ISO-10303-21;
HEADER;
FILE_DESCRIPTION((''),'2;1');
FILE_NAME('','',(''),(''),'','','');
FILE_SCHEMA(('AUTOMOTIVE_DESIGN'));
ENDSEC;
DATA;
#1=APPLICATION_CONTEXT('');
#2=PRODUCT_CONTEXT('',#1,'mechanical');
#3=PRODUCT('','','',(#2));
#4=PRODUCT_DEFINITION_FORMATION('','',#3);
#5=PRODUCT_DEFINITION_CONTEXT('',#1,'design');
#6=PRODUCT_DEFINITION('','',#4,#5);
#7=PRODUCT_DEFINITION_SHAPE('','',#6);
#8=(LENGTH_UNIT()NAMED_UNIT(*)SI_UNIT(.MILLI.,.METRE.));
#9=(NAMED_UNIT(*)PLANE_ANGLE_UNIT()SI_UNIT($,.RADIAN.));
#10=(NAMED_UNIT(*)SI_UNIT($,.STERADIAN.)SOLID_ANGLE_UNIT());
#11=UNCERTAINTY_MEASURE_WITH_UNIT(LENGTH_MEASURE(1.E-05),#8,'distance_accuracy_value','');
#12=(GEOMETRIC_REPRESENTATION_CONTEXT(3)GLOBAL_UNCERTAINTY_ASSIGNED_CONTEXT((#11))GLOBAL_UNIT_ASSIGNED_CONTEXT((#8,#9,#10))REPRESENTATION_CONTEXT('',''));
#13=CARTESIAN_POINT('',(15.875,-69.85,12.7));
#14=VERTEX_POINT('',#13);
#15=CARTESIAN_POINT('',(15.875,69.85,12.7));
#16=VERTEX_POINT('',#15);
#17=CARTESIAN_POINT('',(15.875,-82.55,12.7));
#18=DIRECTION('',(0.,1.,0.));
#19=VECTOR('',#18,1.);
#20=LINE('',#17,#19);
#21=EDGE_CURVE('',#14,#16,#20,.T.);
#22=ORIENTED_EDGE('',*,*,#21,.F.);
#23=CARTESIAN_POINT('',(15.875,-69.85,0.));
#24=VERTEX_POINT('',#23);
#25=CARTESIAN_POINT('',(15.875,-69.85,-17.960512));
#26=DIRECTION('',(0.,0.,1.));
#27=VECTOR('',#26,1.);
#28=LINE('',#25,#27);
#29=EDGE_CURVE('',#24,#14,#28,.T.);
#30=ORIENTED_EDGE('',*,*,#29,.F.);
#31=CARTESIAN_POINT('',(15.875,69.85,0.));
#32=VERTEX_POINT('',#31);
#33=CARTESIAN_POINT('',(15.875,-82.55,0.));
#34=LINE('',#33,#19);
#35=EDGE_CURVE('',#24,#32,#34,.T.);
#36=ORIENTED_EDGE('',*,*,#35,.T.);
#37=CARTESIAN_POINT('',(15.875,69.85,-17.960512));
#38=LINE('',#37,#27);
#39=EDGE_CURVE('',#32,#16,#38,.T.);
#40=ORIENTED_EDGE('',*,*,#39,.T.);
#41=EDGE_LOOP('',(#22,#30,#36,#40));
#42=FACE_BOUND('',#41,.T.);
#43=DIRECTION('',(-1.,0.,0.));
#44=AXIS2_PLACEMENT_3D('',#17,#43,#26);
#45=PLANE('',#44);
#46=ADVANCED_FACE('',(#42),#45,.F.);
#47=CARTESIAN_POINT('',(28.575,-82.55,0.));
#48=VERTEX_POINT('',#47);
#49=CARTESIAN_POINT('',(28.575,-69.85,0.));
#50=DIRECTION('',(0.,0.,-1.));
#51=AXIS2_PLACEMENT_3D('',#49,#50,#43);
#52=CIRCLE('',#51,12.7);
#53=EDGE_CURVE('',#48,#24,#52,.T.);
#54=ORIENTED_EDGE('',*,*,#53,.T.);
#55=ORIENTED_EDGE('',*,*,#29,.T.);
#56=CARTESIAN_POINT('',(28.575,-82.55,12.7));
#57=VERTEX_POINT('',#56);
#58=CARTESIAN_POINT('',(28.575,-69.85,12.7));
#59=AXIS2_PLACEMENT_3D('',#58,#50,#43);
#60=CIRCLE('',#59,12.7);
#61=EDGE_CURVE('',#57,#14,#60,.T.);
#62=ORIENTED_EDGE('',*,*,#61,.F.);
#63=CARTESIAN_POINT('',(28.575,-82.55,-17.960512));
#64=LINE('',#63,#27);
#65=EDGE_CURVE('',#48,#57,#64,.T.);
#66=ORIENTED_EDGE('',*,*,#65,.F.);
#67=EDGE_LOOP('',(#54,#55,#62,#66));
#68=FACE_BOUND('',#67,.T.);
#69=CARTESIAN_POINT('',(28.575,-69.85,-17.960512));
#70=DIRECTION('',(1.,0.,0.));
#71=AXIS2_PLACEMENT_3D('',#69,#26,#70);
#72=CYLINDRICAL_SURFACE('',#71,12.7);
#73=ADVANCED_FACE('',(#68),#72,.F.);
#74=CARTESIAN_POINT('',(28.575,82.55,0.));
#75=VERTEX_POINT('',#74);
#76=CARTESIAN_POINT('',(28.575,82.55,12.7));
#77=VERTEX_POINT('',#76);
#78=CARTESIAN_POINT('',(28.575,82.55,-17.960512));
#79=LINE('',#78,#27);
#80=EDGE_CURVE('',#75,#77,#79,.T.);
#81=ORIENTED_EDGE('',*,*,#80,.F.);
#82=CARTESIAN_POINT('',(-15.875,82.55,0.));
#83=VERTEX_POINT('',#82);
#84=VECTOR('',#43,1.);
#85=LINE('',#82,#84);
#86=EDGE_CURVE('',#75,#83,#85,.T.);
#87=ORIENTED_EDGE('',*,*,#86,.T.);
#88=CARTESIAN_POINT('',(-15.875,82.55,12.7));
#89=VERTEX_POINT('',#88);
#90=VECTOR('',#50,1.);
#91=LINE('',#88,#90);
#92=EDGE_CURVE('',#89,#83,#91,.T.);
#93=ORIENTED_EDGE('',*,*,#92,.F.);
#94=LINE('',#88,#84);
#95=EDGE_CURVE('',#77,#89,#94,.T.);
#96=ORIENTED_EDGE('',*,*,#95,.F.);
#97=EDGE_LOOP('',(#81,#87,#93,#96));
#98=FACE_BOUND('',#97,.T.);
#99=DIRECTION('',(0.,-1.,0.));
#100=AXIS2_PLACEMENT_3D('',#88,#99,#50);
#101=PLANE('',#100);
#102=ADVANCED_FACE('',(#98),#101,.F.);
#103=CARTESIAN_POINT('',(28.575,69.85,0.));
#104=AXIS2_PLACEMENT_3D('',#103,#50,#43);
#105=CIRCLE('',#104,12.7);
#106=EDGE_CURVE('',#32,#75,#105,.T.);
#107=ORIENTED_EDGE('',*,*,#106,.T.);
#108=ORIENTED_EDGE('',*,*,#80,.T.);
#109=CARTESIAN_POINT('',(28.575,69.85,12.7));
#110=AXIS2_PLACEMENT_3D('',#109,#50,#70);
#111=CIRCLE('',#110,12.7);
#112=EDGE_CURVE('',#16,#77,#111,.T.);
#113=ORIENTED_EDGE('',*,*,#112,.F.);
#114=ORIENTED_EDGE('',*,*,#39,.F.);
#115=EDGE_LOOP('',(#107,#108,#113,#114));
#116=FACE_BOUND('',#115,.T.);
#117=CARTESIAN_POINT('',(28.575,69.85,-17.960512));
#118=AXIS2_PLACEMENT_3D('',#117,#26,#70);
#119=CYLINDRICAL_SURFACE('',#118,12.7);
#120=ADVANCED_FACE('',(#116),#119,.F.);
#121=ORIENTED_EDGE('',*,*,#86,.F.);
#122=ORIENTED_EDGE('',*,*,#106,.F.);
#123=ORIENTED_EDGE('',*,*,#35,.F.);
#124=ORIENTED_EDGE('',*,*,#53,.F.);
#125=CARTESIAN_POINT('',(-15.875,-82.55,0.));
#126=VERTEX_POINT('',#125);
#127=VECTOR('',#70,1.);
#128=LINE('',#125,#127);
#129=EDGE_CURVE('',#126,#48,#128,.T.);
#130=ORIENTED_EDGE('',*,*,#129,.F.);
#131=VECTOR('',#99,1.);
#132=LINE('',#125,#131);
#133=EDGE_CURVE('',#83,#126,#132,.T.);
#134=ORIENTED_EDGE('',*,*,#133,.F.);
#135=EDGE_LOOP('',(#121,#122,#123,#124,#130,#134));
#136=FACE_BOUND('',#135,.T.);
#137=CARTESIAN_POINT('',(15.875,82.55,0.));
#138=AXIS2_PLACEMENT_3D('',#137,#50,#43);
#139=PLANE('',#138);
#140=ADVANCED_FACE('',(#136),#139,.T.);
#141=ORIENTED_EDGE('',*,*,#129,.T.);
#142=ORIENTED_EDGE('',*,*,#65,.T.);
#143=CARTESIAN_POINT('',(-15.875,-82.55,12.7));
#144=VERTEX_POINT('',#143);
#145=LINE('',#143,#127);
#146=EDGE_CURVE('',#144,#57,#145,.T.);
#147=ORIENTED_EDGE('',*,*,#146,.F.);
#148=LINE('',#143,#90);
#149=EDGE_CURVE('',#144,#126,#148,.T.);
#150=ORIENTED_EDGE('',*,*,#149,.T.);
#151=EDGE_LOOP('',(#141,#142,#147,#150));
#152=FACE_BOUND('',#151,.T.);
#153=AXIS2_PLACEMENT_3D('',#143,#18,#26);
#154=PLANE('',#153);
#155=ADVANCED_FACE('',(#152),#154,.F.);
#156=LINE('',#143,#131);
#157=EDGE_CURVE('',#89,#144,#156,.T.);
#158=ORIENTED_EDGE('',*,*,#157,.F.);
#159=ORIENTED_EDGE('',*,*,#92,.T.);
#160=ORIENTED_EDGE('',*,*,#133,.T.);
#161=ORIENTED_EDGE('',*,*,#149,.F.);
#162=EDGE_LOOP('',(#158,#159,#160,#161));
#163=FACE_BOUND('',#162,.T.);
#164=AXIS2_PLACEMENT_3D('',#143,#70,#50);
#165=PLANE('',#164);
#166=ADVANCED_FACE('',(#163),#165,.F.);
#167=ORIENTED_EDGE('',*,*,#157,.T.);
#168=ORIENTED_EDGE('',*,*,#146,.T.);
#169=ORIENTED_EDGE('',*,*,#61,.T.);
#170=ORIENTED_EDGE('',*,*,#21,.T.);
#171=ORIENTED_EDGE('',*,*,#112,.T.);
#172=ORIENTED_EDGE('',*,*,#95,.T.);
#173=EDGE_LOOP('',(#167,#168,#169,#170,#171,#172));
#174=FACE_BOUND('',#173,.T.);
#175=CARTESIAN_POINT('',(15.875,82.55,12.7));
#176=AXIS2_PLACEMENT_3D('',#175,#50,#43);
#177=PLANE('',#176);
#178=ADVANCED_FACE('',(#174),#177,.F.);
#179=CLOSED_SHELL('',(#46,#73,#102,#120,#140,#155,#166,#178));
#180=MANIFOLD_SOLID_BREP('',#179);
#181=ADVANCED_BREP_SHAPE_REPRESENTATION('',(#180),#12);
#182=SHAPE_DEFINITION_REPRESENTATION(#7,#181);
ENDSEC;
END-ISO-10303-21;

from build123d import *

# Parameters (mm, degrees)
SKETCH1_W           = 31.75
SKETCH1_H           = 165.1
BOSS_EXTRUDE1_DEPTH = 12.7
BOSS_EXTRUDE2_DEPTH = 12.7


with BuildPart() as part:
    # Sketch1 → Boss-Extrude1 (new body)
    with BuildSketch(Plane.XY):
        Rectangle(SKETCH1_W, SKETCH1_H)
    extrude(amount=BOSS_EXTRUDE1_DEPTH)

    # Sketch2 → Boss-Extrude2 (add)
    with BuildSketch(Plane.XY.offset(12.7)):
        with BuildLine():
            Line((15.875, 82.55), (28.575, 82.55))
            ThreePointArc((28.575, 82.55), (19.594743879, 78.830256121), (15.875, 69.85))
            Line((15.875, 69.85), (15.875, 82.55))
        make_face()
        with BuildLine():
            Line((15.875, -82.55), (15.875, -69.85))
            ThreePointArc((15.875, -69.85), (19.594743879, -78.830256121), (28.575, -82.55))
            Line((28.575, -82.55), (15.875, -82.55))
        make_face()
    extrude(amount=-BOSS_EXTRUDE2_DEPTH)


solid = part.part
